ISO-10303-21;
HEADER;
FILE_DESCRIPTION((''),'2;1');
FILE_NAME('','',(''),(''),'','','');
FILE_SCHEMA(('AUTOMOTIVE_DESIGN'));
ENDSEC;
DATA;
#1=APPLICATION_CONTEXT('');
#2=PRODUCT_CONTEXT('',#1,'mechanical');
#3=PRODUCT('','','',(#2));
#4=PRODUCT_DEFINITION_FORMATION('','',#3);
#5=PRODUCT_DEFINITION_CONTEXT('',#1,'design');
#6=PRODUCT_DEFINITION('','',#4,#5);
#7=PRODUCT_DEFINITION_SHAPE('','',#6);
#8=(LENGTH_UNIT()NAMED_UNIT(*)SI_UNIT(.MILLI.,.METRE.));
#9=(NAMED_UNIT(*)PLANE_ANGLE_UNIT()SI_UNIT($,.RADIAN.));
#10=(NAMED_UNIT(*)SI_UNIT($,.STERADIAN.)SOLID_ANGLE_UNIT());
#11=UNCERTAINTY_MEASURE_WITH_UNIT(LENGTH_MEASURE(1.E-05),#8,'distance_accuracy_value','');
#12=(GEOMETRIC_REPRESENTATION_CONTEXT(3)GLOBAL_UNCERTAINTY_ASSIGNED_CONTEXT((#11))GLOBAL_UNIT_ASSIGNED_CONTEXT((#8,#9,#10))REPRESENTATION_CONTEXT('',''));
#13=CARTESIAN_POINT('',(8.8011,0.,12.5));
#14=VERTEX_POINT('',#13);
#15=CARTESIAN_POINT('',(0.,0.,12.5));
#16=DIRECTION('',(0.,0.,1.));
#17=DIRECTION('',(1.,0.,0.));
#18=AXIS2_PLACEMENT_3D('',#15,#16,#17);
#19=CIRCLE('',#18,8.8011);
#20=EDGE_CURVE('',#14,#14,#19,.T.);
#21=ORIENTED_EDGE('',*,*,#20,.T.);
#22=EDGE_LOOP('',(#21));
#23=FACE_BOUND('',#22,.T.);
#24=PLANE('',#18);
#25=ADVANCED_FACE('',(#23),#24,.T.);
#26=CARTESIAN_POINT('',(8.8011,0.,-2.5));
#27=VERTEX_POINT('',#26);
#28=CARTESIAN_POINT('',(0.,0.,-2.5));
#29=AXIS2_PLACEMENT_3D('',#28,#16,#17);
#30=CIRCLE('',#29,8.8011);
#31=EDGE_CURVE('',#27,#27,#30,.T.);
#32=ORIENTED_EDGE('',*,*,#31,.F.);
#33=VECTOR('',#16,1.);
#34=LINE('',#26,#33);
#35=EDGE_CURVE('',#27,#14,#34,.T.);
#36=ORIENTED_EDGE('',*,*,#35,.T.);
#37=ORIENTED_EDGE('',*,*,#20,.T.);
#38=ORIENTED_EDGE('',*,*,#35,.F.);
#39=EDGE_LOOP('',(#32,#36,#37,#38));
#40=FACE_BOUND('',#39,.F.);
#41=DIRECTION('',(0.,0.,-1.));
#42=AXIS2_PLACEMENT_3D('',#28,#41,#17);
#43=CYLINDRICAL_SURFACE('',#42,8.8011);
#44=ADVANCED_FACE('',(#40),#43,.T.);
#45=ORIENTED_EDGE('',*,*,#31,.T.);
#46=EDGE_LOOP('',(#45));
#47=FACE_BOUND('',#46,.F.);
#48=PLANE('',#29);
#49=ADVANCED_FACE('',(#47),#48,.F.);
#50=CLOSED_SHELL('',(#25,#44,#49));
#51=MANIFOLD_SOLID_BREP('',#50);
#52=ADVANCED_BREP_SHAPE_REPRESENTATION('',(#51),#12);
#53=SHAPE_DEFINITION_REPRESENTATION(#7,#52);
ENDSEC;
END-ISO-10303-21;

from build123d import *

# Parameters (mm, degrees)
CYLINDER_R     = 8.8011
CYLINDER_DEPTH = 15


with BuildPart() as part:
    # Cylinder → Cylinder (new body)
    with BuildSketch(Plane.XY.offset(-2.5)):
        Circle(CYLINDER_R)
    extrude(amount=CYLINDER_DEPTH)


solid = part.part
